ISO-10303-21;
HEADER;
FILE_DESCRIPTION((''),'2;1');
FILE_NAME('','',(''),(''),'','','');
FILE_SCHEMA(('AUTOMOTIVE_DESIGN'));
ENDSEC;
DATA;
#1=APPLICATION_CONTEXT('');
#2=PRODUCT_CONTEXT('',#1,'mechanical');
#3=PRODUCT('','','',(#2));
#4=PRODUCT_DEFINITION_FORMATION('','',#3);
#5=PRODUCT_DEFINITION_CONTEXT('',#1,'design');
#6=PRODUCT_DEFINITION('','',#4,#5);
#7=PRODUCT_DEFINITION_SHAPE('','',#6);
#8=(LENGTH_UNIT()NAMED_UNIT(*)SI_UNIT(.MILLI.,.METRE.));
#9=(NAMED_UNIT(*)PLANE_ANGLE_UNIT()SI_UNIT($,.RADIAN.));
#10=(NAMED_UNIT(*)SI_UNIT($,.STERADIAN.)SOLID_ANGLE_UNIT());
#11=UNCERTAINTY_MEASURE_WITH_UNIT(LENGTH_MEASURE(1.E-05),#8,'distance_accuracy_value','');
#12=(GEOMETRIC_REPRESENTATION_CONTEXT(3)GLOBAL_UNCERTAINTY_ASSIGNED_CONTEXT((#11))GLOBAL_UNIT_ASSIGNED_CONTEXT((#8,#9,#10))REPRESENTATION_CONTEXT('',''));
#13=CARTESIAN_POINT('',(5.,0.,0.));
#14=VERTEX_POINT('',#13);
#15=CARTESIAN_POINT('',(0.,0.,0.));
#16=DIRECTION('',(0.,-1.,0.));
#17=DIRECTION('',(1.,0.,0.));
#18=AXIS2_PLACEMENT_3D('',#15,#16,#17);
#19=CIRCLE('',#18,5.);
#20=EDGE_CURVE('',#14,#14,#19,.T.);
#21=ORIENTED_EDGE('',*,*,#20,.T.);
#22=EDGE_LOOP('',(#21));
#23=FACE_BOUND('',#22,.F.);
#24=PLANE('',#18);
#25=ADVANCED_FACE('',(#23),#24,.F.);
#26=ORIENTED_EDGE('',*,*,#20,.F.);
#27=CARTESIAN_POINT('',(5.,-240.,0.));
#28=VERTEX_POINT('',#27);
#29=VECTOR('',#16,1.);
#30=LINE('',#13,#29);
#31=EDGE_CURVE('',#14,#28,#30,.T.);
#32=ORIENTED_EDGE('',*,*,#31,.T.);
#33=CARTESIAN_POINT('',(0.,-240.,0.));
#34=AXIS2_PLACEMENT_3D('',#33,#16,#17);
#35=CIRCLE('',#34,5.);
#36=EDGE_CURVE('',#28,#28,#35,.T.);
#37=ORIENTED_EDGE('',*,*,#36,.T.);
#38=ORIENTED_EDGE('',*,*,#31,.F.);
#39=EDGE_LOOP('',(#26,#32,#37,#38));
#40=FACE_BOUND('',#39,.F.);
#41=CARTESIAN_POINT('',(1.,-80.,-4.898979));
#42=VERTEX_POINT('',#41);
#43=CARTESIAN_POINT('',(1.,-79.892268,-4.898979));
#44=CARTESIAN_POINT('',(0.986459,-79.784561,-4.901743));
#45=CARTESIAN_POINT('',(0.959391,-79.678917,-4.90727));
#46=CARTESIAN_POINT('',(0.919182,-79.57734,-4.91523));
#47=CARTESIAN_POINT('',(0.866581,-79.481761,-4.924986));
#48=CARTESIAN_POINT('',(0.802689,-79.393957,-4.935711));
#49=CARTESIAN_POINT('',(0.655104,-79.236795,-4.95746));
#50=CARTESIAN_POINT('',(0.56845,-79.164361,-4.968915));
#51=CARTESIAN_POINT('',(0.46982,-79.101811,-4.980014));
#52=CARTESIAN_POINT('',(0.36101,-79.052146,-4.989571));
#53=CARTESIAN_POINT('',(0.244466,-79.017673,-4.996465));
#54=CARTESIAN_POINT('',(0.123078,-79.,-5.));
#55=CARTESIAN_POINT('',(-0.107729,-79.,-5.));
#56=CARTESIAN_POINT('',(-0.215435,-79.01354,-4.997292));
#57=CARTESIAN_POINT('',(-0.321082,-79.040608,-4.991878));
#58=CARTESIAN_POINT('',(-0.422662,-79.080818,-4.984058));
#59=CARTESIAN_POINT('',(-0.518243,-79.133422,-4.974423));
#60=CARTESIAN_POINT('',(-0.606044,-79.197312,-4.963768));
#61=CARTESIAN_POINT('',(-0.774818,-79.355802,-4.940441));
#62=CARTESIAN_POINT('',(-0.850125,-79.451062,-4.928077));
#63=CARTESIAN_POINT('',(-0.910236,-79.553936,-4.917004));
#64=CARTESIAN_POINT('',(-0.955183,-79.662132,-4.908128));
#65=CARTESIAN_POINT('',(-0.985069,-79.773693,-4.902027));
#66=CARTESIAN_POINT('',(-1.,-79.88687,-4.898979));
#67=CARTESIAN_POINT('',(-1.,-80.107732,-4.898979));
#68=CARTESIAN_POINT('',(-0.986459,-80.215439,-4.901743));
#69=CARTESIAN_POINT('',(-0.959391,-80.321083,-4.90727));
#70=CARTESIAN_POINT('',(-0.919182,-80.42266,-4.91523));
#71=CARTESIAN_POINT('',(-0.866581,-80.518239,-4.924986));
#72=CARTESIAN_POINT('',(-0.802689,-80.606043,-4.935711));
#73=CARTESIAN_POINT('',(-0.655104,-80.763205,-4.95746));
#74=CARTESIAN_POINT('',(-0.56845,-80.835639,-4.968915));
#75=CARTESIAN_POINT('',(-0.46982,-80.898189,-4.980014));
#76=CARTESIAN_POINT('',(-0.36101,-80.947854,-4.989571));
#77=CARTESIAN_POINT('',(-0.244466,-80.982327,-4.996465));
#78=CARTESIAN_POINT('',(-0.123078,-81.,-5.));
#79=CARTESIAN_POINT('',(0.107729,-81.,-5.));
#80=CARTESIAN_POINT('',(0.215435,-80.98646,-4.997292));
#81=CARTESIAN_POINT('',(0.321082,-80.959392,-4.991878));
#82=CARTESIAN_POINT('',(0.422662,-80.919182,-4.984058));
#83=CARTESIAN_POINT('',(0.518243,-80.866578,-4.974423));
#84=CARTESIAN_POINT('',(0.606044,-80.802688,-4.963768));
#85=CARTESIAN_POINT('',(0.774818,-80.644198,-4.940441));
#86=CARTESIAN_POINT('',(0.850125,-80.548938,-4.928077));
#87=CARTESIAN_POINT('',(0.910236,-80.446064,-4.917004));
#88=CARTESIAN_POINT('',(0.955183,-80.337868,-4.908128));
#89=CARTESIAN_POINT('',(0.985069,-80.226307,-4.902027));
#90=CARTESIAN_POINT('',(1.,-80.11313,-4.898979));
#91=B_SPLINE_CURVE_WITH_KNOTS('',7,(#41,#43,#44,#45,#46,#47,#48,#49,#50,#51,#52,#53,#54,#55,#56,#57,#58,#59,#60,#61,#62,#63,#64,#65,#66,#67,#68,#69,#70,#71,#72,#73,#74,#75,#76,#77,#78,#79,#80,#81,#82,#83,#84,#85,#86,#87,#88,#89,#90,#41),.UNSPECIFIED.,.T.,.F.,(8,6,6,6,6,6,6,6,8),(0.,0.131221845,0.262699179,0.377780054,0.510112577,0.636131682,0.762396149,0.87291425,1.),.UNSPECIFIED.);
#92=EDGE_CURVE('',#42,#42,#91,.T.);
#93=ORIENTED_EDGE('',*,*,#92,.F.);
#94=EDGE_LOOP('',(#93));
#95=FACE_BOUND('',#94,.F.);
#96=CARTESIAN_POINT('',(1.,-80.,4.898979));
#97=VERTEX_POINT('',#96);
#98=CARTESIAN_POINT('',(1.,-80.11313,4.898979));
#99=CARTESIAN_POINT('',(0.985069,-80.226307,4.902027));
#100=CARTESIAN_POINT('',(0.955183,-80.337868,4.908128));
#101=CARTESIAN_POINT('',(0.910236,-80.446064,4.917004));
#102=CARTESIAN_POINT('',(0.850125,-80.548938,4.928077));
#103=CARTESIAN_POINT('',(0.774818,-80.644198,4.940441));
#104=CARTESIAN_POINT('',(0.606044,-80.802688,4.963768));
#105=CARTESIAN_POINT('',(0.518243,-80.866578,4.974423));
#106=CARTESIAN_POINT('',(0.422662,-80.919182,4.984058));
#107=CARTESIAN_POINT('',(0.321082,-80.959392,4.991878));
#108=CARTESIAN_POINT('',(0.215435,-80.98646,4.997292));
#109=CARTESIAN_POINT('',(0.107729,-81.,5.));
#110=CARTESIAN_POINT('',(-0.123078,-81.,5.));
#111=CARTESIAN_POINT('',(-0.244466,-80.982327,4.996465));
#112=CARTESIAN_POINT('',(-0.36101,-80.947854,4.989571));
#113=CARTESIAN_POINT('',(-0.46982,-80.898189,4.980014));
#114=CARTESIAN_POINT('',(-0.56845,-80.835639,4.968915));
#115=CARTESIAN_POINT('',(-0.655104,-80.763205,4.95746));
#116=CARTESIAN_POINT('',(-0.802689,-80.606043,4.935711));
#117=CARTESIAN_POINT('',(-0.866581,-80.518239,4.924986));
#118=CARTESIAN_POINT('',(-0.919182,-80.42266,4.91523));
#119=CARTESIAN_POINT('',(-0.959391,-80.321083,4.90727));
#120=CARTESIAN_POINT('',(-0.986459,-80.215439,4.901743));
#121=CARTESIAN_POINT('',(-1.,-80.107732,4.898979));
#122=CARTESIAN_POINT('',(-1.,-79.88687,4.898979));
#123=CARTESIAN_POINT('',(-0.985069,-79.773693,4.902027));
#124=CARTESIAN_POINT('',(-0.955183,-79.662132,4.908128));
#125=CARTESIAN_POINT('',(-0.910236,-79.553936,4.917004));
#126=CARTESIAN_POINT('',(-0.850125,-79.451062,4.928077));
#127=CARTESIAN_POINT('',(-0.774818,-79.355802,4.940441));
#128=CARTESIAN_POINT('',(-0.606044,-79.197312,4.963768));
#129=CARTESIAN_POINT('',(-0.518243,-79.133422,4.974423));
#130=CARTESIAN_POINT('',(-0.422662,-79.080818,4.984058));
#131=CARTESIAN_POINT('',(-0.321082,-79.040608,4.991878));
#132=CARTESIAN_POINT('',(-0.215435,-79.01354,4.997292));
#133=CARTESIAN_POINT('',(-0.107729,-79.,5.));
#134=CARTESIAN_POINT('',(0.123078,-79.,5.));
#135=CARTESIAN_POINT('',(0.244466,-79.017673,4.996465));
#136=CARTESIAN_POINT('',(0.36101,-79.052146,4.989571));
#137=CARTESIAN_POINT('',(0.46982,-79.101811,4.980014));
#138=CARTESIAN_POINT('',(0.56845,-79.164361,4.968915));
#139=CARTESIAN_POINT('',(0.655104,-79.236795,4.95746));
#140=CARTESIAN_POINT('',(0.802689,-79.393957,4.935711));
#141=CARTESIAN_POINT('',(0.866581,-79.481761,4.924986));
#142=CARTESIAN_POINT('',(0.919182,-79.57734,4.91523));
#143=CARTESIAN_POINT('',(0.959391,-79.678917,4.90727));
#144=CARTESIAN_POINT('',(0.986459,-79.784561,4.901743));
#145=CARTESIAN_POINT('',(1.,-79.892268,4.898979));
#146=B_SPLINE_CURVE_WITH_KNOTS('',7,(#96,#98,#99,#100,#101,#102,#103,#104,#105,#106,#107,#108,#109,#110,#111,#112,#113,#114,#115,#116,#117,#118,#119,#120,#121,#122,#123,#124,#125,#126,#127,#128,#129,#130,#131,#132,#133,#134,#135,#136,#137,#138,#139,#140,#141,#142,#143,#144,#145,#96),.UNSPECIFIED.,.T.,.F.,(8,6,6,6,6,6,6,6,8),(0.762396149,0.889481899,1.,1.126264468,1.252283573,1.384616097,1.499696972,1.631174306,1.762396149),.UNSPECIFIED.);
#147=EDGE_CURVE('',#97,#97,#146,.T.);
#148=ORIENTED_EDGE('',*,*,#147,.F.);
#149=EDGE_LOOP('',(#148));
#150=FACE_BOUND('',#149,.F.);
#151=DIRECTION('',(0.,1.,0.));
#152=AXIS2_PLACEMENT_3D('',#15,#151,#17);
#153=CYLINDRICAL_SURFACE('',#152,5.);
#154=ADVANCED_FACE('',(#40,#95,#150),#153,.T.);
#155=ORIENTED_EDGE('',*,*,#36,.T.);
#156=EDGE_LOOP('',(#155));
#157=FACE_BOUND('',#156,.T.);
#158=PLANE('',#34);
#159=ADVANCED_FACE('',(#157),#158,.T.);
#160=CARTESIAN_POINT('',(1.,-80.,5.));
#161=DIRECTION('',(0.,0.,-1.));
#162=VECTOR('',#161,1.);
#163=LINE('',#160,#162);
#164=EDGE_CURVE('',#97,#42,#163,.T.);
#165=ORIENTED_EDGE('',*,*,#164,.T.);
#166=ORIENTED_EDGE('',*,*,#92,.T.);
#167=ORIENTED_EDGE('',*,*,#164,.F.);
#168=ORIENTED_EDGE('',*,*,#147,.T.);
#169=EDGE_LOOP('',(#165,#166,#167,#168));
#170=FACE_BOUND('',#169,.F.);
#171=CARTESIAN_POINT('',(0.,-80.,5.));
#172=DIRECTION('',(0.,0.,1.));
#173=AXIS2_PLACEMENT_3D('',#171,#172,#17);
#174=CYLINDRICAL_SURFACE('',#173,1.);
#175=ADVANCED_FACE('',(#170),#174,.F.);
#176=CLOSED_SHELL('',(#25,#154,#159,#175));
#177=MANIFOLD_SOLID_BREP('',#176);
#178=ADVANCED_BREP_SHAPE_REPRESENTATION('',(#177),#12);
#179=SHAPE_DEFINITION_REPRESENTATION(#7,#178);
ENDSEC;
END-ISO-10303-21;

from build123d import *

# Parameters (mm, degrees)
F0_R     = 5
F1_DEPTH = 240
F3_R     = 1
F4_DEPTH = 10.001


with BuildPart() as f1:
    # F0 (on Front) → F1 (new body)
    with BuildSketch(Plane.XZ):
        Circle(F0_R)
    extrude(amount=F1_DEPTH)

    # F3 (on offset) → F4 (cut, through all)
    with BuildSketch(Plane.XY.offset(5)):
        with Locations((0, -80)):
            Circle(F3_R)
    extrude(amount=-F4_DEPTH, mode=Mode.SUBTRACT)


solid = f1.part
